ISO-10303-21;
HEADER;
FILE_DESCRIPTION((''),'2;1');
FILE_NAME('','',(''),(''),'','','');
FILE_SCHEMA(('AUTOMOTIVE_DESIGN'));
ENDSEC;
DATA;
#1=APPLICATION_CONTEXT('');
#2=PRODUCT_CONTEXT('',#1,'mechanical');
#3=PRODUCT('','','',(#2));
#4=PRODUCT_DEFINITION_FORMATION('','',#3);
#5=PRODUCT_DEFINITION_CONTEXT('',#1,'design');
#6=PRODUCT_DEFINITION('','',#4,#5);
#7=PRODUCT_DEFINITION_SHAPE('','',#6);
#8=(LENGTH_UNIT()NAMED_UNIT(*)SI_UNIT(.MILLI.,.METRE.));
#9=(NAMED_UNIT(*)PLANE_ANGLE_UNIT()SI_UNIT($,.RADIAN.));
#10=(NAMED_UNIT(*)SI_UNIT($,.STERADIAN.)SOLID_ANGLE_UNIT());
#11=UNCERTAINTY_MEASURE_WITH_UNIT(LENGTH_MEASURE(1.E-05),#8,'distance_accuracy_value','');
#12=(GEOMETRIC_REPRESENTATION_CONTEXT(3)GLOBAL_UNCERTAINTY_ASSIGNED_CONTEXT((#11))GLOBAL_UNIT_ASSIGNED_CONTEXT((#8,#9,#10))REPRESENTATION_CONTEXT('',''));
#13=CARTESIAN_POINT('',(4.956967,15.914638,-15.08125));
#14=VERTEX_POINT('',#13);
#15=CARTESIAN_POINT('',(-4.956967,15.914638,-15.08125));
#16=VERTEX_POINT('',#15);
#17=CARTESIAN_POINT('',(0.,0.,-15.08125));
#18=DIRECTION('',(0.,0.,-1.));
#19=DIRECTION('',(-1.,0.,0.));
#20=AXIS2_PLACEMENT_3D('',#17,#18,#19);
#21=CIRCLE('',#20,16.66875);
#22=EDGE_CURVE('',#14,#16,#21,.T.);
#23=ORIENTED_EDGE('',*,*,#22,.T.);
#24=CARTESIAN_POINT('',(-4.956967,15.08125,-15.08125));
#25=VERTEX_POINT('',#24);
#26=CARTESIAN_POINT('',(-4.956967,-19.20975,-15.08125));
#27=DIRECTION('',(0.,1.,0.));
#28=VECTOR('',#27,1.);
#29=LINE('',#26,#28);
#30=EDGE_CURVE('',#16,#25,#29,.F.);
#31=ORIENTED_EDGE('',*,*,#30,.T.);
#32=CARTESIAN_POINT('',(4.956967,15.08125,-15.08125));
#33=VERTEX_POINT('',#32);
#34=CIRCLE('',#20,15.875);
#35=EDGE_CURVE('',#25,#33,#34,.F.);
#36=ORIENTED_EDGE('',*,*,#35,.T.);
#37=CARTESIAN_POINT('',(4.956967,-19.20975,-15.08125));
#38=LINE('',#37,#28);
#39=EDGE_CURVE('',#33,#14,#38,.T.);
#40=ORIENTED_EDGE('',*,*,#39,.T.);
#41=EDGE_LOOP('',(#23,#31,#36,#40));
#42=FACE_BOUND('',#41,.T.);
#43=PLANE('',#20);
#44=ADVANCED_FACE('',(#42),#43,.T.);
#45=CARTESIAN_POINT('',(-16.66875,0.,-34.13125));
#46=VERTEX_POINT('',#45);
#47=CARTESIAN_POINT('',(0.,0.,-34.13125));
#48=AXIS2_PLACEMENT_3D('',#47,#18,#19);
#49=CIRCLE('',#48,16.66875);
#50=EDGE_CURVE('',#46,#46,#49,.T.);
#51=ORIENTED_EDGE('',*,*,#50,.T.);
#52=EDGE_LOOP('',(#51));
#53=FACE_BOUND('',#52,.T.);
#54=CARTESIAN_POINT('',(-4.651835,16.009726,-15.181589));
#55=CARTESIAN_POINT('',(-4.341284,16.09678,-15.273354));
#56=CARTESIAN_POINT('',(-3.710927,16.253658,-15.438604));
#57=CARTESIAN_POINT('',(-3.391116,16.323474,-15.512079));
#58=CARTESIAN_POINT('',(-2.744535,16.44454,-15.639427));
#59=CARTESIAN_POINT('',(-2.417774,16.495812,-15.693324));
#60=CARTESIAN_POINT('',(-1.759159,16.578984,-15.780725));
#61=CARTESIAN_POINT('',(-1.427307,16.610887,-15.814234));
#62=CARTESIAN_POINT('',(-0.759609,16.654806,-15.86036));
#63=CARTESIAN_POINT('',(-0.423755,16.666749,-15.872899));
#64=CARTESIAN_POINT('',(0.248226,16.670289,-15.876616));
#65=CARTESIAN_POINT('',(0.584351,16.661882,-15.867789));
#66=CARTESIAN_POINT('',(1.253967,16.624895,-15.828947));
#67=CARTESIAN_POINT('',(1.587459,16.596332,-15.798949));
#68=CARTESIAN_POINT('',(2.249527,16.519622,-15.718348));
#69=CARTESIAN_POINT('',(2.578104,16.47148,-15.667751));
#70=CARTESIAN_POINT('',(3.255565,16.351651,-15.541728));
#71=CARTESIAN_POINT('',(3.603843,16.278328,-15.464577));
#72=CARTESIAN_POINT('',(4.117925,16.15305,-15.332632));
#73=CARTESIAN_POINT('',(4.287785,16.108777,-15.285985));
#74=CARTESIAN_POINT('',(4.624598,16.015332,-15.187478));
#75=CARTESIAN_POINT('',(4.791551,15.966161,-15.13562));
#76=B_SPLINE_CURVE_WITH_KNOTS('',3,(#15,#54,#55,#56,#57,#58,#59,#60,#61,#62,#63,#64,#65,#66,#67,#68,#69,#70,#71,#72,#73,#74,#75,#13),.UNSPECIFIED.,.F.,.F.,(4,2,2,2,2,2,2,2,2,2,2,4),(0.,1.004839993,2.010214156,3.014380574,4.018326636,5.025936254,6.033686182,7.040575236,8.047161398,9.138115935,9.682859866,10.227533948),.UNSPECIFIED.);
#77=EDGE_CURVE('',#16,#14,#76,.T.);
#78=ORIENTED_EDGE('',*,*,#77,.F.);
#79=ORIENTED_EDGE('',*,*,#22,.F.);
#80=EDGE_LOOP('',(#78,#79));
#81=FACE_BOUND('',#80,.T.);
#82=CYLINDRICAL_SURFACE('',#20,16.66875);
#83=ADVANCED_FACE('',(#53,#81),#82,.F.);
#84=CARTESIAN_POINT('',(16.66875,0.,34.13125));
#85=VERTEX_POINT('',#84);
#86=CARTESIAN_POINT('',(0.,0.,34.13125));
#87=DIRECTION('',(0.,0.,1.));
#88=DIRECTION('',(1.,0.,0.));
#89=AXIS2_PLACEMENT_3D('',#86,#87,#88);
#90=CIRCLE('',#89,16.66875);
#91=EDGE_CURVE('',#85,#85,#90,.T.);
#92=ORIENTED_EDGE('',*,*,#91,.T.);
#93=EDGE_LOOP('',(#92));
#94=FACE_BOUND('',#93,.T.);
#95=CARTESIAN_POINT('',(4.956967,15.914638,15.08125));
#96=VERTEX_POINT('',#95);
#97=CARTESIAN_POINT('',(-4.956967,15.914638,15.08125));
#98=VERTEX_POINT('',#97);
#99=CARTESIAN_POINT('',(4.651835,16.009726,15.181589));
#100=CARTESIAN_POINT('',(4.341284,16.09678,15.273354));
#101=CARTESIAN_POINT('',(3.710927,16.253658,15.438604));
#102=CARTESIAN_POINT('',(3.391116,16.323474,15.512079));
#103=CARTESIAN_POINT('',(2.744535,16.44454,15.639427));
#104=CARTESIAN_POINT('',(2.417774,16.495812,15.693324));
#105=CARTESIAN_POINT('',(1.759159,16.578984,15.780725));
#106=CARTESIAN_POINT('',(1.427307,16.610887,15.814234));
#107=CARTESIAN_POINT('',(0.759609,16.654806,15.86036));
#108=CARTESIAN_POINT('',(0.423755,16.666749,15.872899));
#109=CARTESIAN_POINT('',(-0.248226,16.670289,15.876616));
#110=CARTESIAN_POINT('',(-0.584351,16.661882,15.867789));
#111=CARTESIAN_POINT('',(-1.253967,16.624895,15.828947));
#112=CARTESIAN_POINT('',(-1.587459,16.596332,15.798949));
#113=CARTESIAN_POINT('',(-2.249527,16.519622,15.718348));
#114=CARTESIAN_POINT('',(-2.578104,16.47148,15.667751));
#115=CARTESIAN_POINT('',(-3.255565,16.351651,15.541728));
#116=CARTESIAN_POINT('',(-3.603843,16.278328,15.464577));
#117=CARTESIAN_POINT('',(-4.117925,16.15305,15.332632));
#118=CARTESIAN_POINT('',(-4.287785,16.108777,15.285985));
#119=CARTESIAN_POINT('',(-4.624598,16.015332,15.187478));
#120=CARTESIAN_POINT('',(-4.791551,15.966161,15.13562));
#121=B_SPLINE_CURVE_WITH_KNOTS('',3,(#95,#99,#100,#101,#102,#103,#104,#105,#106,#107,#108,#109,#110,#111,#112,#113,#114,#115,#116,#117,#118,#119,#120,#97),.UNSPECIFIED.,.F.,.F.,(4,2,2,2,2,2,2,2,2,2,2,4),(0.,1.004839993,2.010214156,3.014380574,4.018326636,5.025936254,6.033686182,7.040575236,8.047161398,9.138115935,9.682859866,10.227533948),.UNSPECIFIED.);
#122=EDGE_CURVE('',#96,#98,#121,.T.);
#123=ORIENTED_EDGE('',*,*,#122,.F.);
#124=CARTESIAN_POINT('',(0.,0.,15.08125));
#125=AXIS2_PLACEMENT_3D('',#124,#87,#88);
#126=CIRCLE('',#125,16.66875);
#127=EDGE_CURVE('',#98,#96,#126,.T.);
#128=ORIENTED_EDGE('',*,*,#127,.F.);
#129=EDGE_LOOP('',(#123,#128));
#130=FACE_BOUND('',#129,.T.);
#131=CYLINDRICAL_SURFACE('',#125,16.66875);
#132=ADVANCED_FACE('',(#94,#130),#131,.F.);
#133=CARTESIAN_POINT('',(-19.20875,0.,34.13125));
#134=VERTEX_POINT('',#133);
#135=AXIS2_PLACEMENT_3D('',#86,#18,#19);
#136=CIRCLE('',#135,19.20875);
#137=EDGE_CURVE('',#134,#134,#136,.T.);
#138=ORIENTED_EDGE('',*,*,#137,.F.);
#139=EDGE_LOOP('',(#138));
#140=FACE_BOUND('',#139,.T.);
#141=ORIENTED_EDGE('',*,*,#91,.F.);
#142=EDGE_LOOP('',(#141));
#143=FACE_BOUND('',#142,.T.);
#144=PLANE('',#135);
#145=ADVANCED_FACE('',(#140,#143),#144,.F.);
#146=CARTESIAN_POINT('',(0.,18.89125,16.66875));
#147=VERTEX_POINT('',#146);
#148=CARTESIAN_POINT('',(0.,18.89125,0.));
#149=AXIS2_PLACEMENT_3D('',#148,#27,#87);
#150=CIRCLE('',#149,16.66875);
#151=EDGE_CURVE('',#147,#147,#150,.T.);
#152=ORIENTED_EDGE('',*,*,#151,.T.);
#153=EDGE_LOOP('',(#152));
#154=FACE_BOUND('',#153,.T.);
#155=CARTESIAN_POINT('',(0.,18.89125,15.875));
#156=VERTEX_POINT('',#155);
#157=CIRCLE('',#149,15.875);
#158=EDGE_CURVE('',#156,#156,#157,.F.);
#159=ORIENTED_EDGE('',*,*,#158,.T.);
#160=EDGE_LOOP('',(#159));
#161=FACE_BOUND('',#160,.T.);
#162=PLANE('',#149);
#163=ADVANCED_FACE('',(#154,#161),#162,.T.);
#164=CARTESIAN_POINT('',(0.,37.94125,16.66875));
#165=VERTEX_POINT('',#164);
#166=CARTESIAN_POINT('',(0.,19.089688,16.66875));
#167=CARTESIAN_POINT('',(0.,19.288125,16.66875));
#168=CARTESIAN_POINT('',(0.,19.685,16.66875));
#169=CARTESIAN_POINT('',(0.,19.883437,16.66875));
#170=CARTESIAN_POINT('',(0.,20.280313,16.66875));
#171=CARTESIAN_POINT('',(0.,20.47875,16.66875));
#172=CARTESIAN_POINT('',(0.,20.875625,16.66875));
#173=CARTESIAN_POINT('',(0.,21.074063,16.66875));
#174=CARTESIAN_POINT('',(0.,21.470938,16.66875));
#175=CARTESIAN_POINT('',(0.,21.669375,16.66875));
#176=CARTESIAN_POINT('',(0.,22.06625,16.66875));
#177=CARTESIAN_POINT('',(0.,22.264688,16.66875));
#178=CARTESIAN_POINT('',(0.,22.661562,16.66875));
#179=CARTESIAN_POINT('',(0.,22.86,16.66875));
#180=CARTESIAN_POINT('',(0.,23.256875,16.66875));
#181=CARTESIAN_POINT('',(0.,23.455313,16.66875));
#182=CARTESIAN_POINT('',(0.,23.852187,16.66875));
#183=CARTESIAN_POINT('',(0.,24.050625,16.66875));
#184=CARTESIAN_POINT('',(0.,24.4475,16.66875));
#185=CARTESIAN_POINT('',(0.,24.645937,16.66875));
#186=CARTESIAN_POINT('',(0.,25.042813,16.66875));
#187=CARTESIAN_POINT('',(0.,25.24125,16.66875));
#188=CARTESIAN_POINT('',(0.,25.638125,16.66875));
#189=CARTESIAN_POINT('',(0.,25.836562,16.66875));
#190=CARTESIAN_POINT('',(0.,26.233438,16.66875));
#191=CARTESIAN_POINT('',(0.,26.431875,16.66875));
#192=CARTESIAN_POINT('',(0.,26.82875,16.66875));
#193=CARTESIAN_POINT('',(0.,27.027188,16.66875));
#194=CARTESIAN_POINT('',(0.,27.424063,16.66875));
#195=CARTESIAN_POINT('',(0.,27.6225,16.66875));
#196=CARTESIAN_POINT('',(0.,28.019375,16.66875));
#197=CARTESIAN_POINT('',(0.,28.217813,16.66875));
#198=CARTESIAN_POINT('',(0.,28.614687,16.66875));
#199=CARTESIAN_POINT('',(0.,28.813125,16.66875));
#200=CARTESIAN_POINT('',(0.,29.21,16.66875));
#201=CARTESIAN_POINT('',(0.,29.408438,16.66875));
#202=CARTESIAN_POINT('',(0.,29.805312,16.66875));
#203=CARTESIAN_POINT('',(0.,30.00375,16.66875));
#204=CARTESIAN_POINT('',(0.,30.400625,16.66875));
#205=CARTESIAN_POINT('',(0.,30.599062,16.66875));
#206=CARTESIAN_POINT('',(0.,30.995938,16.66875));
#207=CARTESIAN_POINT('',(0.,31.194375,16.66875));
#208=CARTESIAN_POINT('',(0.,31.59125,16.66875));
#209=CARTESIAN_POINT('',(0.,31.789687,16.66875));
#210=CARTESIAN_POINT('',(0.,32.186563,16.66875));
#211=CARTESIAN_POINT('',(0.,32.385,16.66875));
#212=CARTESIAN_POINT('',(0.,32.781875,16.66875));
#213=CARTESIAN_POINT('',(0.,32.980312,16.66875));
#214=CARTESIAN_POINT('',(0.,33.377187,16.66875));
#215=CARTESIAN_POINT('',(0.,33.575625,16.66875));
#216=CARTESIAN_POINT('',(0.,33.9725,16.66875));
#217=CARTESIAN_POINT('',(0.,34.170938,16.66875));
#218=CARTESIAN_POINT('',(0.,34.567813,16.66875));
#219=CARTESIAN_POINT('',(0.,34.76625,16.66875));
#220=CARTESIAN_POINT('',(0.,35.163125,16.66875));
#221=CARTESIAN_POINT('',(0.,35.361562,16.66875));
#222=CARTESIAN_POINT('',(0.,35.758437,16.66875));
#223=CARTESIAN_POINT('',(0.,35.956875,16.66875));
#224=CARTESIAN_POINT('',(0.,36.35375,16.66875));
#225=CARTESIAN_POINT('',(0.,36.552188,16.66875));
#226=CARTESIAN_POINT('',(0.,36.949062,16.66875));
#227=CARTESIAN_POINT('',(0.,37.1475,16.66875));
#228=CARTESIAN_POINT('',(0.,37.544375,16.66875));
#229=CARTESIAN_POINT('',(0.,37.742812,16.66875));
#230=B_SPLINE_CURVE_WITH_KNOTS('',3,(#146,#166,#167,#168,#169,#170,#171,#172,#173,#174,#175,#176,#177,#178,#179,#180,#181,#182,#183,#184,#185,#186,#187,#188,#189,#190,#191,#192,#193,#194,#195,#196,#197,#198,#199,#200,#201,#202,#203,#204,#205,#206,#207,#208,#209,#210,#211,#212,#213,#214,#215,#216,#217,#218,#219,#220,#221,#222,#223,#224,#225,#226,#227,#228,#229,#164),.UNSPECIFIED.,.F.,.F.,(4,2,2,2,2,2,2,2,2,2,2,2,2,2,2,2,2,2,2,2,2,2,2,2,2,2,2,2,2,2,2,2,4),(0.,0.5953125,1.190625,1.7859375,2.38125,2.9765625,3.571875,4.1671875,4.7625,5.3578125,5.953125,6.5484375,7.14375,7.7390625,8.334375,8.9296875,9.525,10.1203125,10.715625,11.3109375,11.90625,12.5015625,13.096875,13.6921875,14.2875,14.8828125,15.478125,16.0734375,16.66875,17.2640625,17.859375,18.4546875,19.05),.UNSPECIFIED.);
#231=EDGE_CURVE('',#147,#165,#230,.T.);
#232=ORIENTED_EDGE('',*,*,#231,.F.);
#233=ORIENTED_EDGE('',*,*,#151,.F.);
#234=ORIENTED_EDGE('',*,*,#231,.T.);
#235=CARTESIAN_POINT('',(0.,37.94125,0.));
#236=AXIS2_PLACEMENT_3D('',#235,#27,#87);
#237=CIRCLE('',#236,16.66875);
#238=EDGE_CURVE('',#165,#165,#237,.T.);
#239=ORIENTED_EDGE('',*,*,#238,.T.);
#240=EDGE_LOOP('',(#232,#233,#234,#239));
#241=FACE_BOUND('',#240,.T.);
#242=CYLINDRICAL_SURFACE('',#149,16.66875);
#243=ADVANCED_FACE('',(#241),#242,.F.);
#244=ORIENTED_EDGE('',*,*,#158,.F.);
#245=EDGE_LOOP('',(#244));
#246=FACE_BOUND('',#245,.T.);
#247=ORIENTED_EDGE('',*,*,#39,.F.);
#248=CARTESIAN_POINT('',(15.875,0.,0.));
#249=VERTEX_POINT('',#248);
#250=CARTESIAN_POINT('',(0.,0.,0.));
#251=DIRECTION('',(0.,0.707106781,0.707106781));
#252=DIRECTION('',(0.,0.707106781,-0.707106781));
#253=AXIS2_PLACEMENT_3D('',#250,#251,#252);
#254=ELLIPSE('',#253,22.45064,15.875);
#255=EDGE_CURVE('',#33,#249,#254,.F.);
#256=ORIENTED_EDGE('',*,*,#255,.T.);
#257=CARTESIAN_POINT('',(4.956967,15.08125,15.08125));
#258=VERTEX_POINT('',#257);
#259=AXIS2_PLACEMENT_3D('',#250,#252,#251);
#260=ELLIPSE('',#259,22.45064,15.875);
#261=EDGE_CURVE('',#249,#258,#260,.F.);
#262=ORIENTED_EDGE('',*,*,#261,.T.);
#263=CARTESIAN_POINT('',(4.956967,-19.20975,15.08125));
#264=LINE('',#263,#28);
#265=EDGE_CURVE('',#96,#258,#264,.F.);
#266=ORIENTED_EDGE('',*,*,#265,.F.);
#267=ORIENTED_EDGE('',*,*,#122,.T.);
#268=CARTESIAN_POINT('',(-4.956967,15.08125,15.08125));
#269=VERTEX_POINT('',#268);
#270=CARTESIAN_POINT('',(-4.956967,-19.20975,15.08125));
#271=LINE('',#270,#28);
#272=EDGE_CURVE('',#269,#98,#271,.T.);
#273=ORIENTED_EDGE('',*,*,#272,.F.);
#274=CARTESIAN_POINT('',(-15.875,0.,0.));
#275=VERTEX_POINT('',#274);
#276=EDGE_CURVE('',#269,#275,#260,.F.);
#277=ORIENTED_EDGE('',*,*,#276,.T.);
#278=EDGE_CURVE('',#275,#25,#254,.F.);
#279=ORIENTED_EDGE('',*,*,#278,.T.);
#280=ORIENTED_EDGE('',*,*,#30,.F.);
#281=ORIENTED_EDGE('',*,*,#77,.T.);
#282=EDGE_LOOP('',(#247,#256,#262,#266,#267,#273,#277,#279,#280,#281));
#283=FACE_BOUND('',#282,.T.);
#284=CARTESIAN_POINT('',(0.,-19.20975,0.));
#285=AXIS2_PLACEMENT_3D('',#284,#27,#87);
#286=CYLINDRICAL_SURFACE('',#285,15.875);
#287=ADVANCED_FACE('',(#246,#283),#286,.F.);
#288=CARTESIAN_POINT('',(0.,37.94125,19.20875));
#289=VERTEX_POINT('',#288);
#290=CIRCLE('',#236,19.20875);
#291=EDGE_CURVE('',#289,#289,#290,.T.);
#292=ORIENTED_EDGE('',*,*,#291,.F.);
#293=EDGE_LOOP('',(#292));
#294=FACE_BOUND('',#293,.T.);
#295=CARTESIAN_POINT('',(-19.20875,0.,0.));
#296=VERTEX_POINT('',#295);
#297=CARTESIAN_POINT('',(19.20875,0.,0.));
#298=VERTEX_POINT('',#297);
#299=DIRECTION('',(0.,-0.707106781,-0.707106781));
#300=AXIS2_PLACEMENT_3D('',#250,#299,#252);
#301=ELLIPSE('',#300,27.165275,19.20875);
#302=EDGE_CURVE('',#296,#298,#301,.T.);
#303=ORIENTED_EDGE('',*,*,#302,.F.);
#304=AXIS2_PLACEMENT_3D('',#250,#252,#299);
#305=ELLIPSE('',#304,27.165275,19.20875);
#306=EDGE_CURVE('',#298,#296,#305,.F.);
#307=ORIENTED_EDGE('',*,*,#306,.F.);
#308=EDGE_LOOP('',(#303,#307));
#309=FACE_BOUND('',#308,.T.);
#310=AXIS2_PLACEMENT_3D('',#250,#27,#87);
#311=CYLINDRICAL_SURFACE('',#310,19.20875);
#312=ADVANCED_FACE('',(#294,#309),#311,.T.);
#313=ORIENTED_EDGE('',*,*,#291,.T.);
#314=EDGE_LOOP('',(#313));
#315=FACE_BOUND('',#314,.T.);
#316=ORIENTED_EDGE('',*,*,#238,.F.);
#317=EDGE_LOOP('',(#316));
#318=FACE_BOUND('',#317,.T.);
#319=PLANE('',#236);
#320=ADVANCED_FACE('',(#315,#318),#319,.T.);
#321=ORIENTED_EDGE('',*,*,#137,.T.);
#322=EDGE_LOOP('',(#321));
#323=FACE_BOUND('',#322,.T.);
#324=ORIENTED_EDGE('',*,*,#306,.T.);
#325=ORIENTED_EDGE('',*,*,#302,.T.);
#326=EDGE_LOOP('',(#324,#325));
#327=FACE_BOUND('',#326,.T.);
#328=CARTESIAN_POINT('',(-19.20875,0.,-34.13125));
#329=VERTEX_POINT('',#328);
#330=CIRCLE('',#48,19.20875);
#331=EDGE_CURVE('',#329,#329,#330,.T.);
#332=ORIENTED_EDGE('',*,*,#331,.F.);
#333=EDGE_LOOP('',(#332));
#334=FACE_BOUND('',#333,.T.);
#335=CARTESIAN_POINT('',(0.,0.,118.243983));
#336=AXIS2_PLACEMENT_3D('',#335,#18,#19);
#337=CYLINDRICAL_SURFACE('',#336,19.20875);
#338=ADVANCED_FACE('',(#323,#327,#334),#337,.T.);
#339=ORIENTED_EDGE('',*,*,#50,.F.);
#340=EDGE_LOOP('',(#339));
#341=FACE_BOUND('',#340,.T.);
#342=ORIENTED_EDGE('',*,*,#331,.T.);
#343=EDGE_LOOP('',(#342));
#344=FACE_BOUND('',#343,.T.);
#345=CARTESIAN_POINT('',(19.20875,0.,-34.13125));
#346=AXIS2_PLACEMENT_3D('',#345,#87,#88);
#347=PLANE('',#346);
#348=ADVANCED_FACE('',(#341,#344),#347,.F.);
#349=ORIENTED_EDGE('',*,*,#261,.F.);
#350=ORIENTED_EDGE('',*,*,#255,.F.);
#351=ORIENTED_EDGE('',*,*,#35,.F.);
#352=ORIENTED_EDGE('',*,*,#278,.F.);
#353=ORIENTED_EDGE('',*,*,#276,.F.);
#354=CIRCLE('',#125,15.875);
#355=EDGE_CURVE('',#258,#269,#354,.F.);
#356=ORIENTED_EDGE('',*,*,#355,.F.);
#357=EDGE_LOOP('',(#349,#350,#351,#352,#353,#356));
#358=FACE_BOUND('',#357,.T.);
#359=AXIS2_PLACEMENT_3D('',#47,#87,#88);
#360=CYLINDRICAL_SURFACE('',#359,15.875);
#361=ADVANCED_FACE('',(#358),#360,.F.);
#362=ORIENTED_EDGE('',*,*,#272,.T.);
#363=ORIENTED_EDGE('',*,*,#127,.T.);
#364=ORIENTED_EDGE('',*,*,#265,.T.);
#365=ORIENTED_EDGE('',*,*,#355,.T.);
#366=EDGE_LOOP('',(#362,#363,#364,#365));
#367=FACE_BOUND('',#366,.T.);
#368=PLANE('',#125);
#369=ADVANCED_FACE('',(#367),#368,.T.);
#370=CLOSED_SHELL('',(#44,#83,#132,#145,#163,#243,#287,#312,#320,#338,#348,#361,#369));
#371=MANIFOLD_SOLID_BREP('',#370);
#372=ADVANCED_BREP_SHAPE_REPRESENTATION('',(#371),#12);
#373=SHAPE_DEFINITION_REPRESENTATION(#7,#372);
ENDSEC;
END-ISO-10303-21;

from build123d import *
from build123d.topology import SkipClean

# Parameters (mm, degrees)
SKETCH1_W               = 19.20875
SKETCH1_H               = 68.2625
SKETCH2_W               = 19.20875
SKETCH2_H               = 37.94125
SKETCH7_R               = 15.875
CUT_EXTRUDE1_DEPTH      = 81.425639161
CUT_EXTRUDE2_REACH      = 71.282
CUT_EXTRUDE2_END_RADIUS = 15.875
SKETCH8_R               = 15.875
SKETCH9_R               = 16.66875
CUT_EXTRUDE3_DEPTH      = 19.05
CUT_EXTRUDE4_START      = -19.05
SKETCH10_R              = 16.66875
CUT_EXTRUDE4_DEPTH      = 19.05
SKETCH11_R              = 16.66875
CUT_EXTRUDE5_DEPTH      = 19.05


with BuildPart() as part:
    # Sketch1 → Revolve1 (revolve)
    with BuildSketch(Plane(origin=(0, 0, 0), x_dir=(1, 0, 0), z_dir=(0, 1, 0)), mode=Mode.PRIVATE) as revolve1_sk:
        with Locations((9.604375, 0)):
            Rectangle(SKETCH1_W, SKETCH1_H)
    revolve(revolve1_sk.sketch.rotate(Axis((0, 0, 118.243982537), (0, 0, -1)), 180), axis=Axis((0, 0, 118.243982537), (0, 0, -1)))

    # Sketch2 → Revolve2 (revolve)
    with BuildSketch(Plane.XY, mode=Mode.PRIVATE) as revolve2_sk:
        with Locations((-9.604375, 18.970625)):
            Rectangle(SKETCH2_W, SKETCH2_H)
    revolve(revolve2_sk.sketch.rotate(Axis((0, 0, 0), (0, 1, 0)), 90), axis=Axis((0, 0, 0), (0, 1, 0)))

    # Sketch7 → Cut-Extrude1 (cut, through all)
    with BuildSketch(Plane.XY.offset(34.13125)):
        Circle(SKETCH7_R)
    extrude(amount=-CUT_EXTRUDE1_DEPTH, mode=Mode.SUBTRACT)

    # Cut-Extrude2: up to this cylinder (the profile starts outside it)
    cut_extrude2_end = Plane(origin=(0, 0, 0), z_dir=(0, 0, 1)) * Cylinder(CUT_EXTRUDE2_END_RADIUS, 175.314, mode=Mode.PRIVATE)
    # Sketch8 → Cut-Extrude2 (cut, up to the surface)
    with BuildSketch(Plane(origin=(0, 37.94125, 0), x_dir=(1, 0, 0), z_dir=(0, 1, 0)), mode=Mode.PRIVATE) as cut_extrude2_sk1:
        with Locations(Location((0, 0, 0), (0, 0, 270))):
            Circle(SKETCH8_R)
    cut_extrude2_tool1 = extrude(cut_extrude2_sk1.sketch, amount=-CUT_EXTRUDE2_REACH, mode=Mode.PRIVATE) - cut_extrude2_end
    add(cut_extrude2_tool1.solids().sort_by_distance((0, 37.94125, 0))[0], mode=Mode.SUBTRACT)

    # Sketch9 → Cut-Extrude3 (cut)
    with SkipClean():  # the faces are left unmerged after this step: merging them gives an invalid solid
        with BuildSketch(Plane.XY.offset(34.13125)):
            Circle(SKETCH9_R)
        extrude(amount=-CUT_EXTRUDE3_DEPTH, mode=Mode.SUBTRACT)

    # Sketch10 → Cut-Extrude4 (cut)
    with BuildSketch(Plane(origin=(0, 0, -34.13125), x_dir=(-1, 0, 0), z_dir=(0, 0, -1)).offset(CUT_EXTRUDE4_START)):
        with Locations(Location((0, 0, 0), (0, 0, 180))):
            Circle(SKETCH10_R)
    extrude(amount=CUT_EXTRUDE4_DEPTH, mode=Mode.SUBTRACT)

    # Sketch11 → Cut-Extrude5 (cut)
    with BuildSketch(Plane(origin=(0, 37.94125, 0), x_dir=(1, 0, 0), z_dir=(0, 1, 0))):
        with Locations(Location((0, 0, 0), (0, 0, 270))):
            Circle(SKETCH11_R)
    extrude(amount=-CUT_EXTRUDE5_DEPTH, mode=Mode.SUBTRACT)


solid = part.part
